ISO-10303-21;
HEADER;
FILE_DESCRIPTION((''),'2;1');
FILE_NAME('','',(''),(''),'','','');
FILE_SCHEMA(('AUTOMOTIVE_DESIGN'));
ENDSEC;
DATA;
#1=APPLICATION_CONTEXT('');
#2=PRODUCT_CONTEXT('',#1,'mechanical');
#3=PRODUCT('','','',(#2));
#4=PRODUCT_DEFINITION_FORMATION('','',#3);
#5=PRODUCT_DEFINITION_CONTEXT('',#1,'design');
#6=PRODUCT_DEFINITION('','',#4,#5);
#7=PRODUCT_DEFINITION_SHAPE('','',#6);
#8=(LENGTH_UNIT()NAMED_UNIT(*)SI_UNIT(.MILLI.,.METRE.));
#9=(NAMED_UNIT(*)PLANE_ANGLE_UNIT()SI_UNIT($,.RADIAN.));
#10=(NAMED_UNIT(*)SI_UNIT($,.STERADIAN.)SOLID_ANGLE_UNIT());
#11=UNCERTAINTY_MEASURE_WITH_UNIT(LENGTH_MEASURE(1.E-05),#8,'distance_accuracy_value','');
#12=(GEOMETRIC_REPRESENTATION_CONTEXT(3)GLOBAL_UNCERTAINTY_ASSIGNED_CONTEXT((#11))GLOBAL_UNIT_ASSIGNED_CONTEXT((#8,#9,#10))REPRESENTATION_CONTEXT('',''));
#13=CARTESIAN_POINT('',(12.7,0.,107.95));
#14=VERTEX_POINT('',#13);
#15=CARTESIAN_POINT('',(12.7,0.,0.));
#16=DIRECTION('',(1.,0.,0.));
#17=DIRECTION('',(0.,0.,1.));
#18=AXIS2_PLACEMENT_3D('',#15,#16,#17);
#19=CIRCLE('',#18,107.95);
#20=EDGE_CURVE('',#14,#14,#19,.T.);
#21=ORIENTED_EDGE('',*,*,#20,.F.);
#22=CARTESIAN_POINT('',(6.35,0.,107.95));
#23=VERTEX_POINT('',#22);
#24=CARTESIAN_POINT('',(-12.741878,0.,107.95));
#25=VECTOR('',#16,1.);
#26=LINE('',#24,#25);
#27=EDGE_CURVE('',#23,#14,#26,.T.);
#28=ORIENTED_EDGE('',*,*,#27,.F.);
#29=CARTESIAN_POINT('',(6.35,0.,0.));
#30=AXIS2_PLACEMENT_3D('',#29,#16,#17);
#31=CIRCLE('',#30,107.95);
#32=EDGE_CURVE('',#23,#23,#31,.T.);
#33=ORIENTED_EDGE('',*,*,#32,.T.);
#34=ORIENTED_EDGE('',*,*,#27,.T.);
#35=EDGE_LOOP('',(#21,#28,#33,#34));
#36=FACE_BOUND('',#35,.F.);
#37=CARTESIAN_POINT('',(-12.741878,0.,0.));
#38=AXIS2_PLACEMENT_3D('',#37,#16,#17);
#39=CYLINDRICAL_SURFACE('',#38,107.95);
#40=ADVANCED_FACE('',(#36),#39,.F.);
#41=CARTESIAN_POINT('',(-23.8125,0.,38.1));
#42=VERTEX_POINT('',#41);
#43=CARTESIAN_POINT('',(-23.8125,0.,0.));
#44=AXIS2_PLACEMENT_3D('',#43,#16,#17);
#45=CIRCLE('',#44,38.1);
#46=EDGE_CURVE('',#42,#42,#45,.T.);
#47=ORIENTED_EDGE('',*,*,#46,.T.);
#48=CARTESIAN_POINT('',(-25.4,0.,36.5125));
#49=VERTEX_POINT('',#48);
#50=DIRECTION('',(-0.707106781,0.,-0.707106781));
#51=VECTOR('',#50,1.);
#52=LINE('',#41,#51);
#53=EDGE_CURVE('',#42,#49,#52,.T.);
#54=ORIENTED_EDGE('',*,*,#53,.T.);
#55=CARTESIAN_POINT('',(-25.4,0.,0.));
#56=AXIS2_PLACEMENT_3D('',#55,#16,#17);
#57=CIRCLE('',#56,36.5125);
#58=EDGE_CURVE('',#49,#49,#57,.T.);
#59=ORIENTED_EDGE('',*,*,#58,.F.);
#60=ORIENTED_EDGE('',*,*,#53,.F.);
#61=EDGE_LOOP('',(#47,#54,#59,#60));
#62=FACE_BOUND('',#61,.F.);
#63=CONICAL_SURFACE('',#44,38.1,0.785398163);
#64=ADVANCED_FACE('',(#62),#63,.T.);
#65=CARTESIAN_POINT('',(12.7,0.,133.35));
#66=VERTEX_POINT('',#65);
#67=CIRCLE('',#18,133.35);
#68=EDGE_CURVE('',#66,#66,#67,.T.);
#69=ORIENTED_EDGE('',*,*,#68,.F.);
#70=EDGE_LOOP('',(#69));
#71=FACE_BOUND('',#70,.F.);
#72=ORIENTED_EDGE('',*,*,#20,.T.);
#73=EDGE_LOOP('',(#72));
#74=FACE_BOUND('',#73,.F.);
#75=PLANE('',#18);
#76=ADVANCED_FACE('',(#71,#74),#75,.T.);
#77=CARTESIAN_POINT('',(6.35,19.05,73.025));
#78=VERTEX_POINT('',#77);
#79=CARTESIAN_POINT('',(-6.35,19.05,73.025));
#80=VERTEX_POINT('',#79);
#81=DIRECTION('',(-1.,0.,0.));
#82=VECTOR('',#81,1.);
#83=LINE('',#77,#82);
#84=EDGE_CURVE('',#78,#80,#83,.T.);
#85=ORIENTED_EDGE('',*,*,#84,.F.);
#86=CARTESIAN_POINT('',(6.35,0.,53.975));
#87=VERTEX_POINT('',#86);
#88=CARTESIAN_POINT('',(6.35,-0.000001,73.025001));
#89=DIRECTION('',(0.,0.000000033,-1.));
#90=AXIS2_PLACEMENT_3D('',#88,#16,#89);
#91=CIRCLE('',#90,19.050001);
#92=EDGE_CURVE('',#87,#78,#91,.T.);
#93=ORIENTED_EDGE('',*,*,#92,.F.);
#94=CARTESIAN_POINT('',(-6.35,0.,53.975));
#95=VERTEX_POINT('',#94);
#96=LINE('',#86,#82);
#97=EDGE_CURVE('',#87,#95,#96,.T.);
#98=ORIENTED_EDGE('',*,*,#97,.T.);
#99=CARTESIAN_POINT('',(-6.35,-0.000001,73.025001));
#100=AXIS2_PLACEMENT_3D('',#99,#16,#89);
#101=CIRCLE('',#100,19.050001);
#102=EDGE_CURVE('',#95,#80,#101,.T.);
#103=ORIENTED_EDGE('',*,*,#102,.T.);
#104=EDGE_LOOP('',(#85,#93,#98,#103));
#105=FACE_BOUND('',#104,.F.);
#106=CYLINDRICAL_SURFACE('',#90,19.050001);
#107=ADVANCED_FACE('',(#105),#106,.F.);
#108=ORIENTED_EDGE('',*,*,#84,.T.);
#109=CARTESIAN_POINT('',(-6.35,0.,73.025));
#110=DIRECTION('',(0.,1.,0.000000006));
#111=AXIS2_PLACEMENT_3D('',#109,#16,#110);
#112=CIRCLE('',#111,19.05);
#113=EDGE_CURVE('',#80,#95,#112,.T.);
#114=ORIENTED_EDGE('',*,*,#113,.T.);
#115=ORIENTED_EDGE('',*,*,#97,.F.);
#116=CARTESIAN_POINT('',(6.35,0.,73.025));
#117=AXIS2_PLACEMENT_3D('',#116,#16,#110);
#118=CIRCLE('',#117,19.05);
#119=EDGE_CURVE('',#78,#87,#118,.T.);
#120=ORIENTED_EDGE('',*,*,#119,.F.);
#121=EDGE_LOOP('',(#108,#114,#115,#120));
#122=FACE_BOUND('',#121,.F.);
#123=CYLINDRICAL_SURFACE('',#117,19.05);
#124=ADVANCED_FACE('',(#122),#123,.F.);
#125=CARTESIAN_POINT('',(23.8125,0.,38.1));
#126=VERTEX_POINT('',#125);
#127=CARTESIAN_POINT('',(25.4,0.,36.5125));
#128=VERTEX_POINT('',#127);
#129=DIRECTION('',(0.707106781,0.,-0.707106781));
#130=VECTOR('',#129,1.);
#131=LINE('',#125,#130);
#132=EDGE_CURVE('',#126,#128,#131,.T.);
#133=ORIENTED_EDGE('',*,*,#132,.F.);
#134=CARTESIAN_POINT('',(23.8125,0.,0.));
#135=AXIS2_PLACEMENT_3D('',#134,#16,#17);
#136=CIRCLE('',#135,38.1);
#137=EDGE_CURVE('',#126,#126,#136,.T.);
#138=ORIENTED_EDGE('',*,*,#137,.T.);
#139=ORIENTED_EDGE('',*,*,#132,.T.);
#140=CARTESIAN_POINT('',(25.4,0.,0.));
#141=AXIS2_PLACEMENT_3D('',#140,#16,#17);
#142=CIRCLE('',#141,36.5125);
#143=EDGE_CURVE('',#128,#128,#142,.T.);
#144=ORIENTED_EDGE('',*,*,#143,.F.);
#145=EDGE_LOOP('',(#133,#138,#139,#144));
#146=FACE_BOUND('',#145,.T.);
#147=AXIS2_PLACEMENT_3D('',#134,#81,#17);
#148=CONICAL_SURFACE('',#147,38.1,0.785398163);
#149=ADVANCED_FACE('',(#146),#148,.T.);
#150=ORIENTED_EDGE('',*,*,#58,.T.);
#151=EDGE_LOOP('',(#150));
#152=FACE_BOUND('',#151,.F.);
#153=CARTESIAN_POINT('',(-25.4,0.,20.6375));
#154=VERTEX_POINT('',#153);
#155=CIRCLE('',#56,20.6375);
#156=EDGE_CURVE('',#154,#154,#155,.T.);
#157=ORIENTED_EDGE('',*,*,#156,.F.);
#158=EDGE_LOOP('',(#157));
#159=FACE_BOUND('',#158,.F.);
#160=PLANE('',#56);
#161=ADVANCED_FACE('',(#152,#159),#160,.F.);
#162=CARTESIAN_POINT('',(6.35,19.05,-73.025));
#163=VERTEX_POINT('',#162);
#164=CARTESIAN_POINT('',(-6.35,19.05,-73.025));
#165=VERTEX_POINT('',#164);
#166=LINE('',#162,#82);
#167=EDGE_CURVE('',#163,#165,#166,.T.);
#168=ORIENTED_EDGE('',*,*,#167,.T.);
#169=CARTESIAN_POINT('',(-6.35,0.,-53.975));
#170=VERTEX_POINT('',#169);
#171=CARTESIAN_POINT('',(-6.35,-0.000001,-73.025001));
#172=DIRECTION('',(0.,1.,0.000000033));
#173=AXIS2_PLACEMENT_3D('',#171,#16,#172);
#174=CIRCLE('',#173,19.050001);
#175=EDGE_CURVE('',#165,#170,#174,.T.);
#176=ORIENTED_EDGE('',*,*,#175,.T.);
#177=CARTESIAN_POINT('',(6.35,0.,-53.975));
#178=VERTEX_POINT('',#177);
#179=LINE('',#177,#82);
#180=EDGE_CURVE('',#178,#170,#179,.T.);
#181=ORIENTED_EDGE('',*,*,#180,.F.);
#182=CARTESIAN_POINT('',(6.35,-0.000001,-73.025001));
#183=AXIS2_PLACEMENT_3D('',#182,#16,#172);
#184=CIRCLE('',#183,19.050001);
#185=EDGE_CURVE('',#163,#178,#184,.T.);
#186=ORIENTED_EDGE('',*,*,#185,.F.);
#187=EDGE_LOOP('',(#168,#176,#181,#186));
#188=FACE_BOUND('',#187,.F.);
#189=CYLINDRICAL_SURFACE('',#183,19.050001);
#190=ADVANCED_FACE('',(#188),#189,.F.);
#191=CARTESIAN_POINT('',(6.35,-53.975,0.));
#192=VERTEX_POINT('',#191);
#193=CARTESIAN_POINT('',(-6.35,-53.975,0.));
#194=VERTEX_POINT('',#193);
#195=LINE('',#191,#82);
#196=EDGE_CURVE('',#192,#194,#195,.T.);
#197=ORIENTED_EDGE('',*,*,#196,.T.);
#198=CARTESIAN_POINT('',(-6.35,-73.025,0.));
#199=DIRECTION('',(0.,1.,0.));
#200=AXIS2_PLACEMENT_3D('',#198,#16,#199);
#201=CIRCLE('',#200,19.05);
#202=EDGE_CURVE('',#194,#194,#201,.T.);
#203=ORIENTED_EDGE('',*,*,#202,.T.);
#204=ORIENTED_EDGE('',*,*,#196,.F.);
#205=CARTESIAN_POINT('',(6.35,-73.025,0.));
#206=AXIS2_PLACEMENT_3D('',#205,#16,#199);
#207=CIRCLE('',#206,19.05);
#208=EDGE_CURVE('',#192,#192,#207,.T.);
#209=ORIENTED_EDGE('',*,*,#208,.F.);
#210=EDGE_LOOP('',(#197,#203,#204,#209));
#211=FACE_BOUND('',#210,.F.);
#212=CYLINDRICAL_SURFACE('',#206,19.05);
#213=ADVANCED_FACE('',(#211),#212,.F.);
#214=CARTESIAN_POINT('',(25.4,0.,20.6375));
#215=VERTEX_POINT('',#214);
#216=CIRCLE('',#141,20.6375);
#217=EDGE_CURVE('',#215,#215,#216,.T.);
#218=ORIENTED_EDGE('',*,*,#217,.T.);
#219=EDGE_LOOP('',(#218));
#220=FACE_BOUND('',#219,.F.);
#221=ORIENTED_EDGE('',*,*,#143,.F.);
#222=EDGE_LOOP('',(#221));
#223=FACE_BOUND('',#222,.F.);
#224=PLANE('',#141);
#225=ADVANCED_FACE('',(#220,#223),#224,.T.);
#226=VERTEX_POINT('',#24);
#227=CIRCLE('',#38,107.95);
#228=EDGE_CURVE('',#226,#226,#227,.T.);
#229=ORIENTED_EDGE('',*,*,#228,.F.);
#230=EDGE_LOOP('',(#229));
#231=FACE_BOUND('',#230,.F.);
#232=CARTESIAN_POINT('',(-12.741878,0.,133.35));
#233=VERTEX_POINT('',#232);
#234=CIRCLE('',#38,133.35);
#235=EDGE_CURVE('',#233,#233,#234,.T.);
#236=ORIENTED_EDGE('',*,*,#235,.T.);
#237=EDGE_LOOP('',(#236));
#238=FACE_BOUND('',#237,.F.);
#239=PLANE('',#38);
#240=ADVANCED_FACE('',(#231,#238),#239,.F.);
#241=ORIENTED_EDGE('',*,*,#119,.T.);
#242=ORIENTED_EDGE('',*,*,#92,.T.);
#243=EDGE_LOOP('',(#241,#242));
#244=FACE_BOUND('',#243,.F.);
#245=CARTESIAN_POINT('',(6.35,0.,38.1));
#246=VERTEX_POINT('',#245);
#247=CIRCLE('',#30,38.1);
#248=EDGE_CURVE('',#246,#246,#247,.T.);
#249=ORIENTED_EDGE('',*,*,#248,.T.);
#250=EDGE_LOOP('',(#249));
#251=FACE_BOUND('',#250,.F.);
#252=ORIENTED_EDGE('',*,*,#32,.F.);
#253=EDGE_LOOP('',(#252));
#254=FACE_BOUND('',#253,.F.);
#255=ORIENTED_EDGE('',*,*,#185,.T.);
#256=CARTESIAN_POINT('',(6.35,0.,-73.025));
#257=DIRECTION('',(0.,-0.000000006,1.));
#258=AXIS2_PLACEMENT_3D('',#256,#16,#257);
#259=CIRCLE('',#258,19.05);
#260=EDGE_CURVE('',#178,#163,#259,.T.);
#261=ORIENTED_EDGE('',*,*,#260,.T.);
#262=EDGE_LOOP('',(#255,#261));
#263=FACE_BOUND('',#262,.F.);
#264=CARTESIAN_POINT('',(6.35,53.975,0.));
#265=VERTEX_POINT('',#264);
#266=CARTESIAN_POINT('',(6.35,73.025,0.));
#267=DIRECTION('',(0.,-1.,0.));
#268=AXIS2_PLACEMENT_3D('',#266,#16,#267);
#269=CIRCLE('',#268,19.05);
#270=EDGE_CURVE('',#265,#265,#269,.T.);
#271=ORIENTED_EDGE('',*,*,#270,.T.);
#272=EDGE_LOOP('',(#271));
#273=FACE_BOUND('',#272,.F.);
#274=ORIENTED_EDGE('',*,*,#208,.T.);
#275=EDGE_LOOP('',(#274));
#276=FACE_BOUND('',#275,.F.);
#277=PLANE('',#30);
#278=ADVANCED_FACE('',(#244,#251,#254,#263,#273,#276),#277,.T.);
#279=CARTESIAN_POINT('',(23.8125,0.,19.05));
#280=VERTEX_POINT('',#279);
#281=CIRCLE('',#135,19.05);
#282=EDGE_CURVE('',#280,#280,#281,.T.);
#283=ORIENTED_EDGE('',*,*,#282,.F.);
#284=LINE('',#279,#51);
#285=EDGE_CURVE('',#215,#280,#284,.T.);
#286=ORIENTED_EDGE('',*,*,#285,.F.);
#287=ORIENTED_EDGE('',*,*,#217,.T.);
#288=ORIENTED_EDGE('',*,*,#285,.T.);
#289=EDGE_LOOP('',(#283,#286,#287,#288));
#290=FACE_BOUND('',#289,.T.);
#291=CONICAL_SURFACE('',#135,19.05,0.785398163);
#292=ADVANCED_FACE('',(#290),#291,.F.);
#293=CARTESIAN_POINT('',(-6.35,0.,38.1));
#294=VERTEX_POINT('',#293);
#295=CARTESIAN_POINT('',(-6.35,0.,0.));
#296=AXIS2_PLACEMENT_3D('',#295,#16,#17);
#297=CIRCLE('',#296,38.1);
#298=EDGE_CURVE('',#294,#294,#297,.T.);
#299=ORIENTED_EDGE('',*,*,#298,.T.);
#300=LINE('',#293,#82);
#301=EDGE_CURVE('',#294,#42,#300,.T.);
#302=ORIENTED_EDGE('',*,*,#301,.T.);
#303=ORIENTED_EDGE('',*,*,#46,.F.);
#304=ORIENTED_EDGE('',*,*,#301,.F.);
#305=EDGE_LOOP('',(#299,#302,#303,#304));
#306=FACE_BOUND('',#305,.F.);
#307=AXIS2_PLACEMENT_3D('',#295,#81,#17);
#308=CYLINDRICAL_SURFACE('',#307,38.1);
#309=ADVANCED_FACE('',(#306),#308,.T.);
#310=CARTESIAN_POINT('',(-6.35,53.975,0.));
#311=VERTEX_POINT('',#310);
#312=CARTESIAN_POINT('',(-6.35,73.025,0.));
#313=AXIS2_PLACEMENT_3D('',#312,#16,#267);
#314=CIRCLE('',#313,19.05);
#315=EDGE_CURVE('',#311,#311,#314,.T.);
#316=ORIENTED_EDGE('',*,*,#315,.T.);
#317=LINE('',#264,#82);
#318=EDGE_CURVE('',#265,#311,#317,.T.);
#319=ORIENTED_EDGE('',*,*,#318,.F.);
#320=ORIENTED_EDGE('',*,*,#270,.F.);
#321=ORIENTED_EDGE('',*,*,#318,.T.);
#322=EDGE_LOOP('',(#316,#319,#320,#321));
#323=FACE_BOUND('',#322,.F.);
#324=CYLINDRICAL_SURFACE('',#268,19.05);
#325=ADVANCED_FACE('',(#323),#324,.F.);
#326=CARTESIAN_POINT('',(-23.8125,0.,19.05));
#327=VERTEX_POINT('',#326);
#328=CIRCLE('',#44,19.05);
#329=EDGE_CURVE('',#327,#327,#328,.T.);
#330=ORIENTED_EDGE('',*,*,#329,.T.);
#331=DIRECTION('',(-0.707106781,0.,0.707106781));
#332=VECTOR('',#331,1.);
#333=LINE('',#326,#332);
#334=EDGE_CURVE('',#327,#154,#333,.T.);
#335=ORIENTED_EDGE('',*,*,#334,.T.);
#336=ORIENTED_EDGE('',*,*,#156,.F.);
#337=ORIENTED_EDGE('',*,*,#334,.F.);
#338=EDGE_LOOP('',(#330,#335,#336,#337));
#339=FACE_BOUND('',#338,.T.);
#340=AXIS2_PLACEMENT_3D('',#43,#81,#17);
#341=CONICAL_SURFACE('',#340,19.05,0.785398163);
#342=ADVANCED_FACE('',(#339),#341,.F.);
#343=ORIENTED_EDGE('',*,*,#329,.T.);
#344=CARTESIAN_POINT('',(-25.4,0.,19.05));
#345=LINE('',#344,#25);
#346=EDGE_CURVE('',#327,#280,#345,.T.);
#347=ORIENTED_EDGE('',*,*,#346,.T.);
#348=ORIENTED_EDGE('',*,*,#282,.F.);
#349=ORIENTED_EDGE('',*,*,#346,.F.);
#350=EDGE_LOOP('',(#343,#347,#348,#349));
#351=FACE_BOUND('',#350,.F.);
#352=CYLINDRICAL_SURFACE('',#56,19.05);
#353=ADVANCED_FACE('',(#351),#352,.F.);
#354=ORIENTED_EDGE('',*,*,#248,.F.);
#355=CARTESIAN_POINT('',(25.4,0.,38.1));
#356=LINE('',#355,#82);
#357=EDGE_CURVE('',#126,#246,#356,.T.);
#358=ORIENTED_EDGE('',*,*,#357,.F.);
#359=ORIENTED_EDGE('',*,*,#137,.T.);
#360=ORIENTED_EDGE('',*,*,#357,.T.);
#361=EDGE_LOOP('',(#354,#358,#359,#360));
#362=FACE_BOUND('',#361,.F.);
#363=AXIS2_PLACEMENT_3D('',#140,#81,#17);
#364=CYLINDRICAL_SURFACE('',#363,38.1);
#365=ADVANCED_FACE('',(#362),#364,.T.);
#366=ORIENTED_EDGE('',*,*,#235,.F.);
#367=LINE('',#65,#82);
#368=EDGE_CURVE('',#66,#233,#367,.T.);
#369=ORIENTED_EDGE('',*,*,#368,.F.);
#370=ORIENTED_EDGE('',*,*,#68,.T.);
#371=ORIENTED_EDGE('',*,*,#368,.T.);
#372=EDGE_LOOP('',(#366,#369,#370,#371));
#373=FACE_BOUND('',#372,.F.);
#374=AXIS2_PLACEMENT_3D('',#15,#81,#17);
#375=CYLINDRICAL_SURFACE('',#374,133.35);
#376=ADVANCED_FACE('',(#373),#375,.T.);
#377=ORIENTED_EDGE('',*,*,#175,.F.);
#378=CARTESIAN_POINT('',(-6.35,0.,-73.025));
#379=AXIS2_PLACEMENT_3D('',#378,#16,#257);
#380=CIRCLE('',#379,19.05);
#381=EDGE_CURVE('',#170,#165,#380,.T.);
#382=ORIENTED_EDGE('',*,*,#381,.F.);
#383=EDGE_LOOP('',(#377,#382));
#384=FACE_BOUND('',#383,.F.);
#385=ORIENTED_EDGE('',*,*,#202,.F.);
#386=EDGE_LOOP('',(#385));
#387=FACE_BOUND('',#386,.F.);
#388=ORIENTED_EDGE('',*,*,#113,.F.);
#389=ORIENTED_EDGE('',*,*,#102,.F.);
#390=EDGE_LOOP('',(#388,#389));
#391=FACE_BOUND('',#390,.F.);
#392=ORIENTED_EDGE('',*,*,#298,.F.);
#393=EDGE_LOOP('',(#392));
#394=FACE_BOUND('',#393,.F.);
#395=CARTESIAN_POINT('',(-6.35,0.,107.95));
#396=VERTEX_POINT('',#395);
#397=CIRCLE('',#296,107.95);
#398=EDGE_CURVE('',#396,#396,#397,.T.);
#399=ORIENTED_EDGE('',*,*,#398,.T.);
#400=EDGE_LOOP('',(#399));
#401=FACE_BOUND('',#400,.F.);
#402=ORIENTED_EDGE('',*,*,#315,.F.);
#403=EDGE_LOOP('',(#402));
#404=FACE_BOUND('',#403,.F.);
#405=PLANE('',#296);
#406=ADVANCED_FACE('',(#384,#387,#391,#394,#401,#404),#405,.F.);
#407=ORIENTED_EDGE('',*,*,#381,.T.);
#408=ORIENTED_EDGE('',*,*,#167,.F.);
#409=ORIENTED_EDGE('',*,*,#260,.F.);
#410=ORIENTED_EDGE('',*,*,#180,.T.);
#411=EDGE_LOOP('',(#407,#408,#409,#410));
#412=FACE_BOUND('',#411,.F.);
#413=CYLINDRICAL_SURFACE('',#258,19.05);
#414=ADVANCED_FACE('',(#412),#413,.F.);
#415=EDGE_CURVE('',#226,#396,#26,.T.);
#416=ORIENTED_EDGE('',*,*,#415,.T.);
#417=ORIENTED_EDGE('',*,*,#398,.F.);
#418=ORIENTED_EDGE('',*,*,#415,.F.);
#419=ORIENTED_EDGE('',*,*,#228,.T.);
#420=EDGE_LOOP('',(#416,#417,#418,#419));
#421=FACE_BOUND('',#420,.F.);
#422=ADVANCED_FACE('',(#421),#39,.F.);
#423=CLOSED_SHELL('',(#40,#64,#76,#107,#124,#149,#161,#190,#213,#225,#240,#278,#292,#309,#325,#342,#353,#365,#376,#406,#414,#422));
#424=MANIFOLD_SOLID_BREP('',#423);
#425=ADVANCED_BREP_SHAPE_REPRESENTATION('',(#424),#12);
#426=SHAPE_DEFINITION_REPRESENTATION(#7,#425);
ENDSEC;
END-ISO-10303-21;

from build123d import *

# Parameters (mm, degrees)
F2_R     = 19.05
F3_DEPTH = 25.4
F4_SIZE  = 1.5875
F5_SIZE  = 1.5875


with BuildPart() as f1:
    # F0 (on Front) → F1 (revolve)
    with BuildSketch(Plane.XZ):
        Polygon((0, 107.95), (6.35, 107.95), (12.7, 107.95), (12.7, 120.65), (12.7, 133.35), (6.35, 133.35), (0, 133.35), (-12.741878, 133.35), (-12.741878, 107.95), (-6.35, 107.95), align=None)
        Polygon((-25.4, 19.05), (0, 19.05), (25.4, 19.05), (25.4, 38.1), (6.35, 38.1), (6.35, 107.95), (0, 107.95), (-6.35, 107.95), (-6.35, 38.1), (-25.4, 38.1), align=None)
    revolve(axis=Axis((38.116653, 0, 0), (1, 0, 0)))

    # F2 (on face) → F3 (cut)
    with BuildSketch(Plane.YZ.offset(6.35)):
        with Locations((-73.025, 0)):
            Circle(F2_R)
        with BuildLine():
            ThreePointArc((19.05, 73.025), (-13.470384, 86.495384), (0, 53.975))
            ThreePointArc((0, 53.975), (13.470384, 59.554616), (19.05, 73.025))
        make_face()
        with BuildLine():
            ThreePointArc((92.075, 0), (73.025, 19.05), (53.975, 0))
            ThreePointArc((53.975, 0), (73.025, -19.05), (92.075, 0))
        make_face()
        with BuildLine():
            ThreePointArc((19.05, -73.025), (13.470384, -59.554616), (0, -53.975))
            ThreePointArc((0, -53.975), (-13.470384, -86.495384), (19.05, -73.025))
        make_face()
    extrude(amount=-F3_DEPTH, mode=Mode.SUBTRACT)

    # F4
    f4_edges = [f1.edges().sort_by_distance(p)[0] for p in [
        (25.4, 0, -38.1),
        (25.4, 0, -19.05),
    ]]
    chamfer(f4_edges, length=F4_SIZE)

    # F5
    f5_edges = [f1.edges().sort_by_distance(p)[0] for p in [
        (-25.4, 0, -38.1),
        (-25.4, 0, -19.05),
    ]]
    chamfer(f5_edges, length=F5_SIZE)


solid = f1.part
